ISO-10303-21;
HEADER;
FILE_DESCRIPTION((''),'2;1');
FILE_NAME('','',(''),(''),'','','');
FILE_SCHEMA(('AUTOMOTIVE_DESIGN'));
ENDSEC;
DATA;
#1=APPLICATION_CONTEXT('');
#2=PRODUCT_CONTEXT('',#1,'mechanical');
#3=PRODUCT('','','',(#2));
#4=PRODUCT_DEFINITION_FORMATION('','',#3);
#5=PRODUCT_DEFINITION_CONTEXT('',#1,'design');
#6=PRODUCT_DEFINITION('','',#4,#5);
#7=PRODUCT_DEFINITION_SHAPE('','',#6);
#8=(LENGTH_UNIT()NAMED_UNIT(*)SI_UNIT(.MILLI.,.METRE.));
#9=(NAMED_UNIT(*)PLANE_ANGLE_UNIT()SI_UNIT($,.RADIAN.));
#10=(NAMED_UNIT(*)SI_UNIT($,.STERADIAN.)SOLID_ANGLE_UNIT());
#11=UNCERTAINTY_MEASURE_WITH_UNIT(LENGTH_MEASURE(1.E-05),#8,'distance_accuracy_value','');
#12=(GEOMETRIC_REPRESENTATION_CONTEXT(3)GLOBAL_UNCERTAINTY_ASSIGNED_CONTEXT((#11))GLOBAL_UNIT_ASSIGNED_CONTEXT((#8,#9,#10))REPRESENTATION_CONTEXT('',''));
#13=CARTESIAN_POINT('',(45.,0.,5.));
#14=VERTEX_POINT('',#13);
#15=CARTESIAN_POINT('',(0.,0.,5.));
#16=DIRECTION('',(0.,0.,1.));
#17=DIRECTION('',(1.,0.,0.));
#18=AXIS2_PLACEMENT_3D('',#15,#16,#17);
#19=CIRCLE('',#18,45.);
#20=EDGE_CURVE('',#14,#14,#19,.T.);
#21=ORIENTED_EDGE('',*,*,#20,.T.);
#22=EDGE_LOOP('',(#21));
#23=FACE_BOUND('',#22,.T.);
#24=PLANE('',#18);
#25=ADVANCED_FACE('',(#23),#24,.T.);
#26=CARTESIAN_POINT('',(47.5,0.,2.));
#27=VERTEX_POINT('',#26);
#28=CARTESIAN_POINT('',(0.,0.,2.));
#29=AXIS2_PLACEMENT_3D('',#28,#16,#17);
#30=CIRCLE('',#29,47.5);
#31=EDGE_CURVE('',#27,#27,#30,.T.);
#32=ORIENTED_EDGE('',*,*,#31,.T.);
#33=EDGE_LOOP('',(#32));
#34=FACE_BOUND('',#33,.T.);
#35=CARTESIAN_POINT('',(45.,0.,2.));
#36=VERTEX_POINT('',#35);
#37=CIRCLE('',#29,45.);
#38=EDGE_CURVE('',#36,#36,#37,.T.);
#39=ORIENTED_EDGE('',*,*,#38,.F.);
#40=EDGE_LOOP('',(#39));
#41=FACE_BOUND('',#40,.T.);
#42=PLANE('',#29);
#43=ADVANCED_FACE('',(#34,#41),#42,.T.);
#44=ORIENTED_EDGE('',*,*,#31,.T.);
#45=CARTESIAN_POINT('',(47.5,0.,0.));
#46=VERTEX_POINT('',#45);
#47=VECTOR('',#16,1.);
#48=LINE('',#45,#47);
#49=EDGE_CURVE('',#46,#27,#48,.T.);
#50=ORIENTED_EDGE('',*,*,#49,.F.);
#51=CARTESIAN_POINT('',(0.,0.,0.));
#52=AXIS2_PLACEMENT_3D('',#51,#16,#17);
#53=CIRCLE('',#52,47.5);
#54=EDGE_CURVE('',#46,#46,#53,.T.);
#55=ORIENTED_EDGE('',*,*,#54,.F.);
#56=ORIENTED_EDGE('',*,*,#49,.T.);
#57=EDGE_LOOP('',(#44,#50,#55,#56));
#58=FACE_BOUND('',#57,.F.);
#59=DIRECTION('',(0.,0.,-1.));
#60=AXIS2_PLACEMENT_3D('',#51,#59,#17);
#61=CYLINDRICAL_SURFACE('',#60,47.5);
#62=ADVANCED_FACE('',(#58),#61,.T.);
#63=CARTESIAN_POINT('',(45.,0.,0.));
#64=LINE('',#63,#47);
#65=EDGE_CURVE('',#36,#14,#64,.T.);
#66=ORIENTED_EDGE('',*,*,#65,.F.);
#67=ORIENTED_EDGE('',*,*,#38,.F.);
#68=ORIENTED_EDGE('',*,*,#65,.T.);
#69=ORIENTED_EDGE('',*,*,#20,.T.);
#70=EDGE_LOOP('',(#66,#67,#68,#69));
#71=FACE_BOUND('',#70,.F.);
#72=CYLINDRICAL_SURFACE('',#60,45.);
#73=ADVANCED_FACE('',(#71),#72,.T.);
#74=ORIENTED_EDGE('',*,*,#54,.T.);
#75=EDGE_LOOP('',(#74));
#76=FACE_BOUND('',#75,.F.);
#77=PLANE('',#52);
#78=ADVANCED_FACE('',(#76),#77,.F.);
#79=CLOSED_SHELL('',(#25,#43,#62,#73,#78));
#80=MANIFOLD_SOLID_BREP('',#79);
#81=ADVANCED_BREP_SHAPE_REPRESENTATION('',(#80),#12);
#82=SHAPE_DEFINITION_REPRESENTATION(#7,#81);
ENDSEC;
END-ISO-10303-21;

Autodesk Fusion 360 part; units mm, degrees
sketch "Sketch1" plane through (0, 0, 0) normal (0, 0, 1) x (1, 0, 0)
  circle A0 centre (0, 0) radius 45
  circle A1 centre (0, 0) radius 47.5
  dimension "d1" = 90
  dimension "d2" = 95
extrude "Extrude1" add sketch "Sketch1" along normal blind 5 contours A0
extrude "Extrude2" add sketch "Sketch1" along normal blind 2
